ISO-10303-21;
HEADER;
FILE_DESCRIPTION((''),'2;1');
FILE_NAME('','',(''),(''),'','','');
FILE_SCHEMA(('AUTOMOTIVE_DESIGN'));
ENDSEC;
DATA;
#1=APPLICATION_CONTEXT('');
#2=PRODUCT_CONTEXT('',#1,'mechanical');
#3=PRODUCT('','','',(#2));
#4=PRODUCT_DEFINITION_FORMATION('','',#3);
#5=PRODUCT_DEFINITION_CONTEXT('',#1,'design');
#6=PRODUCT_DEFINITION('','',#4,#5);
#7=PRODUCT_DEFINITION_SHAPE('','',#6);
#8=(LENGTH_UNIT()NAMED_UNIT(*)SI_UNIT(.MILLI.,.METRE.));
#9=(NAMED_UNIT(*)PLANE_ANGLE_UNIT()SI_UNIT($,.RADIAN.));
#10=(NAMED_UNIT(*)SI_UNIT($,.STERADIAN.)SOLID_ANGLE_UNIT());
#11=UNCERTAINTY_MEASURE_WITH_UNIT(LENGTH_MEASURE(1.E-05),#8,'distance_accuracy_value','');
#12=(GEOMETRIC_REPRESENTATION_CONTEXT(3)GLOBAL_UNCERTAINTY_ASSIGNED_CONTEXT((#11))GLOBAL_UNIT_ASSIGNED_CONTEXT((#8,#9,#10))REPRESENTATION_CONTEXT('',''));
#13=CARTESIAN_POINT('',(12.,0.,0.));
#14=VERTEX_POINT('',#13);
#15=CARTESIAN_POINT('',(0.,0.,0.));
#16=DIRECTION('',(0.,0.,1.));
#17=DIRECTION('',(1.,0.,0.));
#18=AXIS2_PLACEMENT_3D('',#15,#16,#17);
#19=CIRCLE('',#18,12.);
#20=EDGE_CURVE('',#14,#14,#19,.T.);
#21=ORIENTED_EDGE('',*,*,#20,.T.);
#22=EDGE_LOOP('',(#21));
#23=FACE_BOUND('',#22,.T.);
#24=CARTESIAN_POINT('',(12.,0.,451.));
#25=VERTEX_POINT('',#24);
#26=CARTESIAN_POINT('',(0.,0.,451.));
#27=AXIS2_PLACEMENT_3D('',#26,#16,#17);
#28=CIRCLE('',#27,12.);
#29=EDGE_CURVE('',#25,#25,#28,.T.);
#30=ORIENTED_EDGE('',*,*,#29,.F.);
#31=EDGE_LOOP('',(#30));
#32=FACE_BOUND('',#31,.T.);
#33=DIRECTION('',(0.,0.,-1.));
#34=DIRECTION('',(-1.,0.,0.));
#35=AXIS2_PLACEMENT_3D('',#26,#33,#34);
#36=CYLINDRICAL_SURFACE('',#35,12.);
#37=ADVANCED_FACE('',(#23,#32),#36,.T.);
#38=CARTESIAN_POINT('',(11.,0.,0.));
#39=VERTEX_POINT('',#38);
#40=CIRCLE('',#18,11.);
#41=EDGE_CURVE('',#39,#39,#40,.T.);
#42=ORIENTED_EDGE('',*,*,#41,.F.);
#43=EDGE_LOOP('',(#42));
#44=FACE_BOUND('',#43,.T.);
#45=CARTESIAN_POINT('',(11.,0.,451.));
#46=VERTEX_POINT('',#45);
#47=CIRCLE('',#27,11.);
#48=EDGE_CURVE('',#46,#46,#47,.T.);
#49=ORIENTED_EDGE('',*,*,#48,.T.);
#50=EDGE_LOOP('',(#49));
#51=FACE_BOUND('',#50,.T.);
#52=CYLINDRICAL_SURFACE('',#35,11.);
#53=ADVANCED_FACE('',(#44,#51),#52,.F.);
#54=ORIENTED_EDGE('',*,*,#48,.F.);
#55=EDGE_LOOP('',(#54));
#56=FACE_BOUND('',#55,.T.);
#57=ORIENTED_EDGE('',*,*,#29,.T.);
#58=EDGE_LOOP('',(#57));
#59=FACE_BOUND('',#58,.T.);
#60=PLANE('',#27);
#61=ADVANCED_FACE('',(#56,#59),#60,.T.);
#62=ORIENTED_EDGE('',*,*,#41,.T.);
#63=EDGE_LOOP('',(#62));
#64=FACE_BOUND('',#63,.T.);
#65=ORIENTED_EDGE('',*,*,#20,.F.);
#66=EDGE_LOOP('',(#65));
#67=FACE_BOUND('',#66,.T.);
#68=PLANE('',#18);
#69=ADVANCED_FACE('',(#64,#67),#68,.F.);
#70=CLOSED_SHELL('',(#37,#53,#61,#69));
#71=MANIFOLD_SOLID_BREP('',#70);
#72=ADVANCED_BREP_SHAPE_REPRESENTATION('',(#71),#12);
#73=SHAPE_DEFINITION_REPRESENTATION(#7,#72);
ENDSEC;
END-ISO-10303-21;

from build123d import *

# Parameters (mm, degrees)
IZIM1_R                     = 12
IZIM1_R_2                   = 11
Y_KSEKLIK_EKSTR_ZYON1_DEPTH = 451


with BuildPart() as part:
    # Çizim1 → Yükseklik-Ekstrüzyon1 (new body)
    with BuildSketch(Plane.XY):
        Circle(IZIM1_R)
        Circle(IZIM1_R_2, mode=Mode.SUBTRACT)
    extrude(amount=Y_KSEKLIK_EKSTR_ZYON1_DEPTH)


solid = part.part
